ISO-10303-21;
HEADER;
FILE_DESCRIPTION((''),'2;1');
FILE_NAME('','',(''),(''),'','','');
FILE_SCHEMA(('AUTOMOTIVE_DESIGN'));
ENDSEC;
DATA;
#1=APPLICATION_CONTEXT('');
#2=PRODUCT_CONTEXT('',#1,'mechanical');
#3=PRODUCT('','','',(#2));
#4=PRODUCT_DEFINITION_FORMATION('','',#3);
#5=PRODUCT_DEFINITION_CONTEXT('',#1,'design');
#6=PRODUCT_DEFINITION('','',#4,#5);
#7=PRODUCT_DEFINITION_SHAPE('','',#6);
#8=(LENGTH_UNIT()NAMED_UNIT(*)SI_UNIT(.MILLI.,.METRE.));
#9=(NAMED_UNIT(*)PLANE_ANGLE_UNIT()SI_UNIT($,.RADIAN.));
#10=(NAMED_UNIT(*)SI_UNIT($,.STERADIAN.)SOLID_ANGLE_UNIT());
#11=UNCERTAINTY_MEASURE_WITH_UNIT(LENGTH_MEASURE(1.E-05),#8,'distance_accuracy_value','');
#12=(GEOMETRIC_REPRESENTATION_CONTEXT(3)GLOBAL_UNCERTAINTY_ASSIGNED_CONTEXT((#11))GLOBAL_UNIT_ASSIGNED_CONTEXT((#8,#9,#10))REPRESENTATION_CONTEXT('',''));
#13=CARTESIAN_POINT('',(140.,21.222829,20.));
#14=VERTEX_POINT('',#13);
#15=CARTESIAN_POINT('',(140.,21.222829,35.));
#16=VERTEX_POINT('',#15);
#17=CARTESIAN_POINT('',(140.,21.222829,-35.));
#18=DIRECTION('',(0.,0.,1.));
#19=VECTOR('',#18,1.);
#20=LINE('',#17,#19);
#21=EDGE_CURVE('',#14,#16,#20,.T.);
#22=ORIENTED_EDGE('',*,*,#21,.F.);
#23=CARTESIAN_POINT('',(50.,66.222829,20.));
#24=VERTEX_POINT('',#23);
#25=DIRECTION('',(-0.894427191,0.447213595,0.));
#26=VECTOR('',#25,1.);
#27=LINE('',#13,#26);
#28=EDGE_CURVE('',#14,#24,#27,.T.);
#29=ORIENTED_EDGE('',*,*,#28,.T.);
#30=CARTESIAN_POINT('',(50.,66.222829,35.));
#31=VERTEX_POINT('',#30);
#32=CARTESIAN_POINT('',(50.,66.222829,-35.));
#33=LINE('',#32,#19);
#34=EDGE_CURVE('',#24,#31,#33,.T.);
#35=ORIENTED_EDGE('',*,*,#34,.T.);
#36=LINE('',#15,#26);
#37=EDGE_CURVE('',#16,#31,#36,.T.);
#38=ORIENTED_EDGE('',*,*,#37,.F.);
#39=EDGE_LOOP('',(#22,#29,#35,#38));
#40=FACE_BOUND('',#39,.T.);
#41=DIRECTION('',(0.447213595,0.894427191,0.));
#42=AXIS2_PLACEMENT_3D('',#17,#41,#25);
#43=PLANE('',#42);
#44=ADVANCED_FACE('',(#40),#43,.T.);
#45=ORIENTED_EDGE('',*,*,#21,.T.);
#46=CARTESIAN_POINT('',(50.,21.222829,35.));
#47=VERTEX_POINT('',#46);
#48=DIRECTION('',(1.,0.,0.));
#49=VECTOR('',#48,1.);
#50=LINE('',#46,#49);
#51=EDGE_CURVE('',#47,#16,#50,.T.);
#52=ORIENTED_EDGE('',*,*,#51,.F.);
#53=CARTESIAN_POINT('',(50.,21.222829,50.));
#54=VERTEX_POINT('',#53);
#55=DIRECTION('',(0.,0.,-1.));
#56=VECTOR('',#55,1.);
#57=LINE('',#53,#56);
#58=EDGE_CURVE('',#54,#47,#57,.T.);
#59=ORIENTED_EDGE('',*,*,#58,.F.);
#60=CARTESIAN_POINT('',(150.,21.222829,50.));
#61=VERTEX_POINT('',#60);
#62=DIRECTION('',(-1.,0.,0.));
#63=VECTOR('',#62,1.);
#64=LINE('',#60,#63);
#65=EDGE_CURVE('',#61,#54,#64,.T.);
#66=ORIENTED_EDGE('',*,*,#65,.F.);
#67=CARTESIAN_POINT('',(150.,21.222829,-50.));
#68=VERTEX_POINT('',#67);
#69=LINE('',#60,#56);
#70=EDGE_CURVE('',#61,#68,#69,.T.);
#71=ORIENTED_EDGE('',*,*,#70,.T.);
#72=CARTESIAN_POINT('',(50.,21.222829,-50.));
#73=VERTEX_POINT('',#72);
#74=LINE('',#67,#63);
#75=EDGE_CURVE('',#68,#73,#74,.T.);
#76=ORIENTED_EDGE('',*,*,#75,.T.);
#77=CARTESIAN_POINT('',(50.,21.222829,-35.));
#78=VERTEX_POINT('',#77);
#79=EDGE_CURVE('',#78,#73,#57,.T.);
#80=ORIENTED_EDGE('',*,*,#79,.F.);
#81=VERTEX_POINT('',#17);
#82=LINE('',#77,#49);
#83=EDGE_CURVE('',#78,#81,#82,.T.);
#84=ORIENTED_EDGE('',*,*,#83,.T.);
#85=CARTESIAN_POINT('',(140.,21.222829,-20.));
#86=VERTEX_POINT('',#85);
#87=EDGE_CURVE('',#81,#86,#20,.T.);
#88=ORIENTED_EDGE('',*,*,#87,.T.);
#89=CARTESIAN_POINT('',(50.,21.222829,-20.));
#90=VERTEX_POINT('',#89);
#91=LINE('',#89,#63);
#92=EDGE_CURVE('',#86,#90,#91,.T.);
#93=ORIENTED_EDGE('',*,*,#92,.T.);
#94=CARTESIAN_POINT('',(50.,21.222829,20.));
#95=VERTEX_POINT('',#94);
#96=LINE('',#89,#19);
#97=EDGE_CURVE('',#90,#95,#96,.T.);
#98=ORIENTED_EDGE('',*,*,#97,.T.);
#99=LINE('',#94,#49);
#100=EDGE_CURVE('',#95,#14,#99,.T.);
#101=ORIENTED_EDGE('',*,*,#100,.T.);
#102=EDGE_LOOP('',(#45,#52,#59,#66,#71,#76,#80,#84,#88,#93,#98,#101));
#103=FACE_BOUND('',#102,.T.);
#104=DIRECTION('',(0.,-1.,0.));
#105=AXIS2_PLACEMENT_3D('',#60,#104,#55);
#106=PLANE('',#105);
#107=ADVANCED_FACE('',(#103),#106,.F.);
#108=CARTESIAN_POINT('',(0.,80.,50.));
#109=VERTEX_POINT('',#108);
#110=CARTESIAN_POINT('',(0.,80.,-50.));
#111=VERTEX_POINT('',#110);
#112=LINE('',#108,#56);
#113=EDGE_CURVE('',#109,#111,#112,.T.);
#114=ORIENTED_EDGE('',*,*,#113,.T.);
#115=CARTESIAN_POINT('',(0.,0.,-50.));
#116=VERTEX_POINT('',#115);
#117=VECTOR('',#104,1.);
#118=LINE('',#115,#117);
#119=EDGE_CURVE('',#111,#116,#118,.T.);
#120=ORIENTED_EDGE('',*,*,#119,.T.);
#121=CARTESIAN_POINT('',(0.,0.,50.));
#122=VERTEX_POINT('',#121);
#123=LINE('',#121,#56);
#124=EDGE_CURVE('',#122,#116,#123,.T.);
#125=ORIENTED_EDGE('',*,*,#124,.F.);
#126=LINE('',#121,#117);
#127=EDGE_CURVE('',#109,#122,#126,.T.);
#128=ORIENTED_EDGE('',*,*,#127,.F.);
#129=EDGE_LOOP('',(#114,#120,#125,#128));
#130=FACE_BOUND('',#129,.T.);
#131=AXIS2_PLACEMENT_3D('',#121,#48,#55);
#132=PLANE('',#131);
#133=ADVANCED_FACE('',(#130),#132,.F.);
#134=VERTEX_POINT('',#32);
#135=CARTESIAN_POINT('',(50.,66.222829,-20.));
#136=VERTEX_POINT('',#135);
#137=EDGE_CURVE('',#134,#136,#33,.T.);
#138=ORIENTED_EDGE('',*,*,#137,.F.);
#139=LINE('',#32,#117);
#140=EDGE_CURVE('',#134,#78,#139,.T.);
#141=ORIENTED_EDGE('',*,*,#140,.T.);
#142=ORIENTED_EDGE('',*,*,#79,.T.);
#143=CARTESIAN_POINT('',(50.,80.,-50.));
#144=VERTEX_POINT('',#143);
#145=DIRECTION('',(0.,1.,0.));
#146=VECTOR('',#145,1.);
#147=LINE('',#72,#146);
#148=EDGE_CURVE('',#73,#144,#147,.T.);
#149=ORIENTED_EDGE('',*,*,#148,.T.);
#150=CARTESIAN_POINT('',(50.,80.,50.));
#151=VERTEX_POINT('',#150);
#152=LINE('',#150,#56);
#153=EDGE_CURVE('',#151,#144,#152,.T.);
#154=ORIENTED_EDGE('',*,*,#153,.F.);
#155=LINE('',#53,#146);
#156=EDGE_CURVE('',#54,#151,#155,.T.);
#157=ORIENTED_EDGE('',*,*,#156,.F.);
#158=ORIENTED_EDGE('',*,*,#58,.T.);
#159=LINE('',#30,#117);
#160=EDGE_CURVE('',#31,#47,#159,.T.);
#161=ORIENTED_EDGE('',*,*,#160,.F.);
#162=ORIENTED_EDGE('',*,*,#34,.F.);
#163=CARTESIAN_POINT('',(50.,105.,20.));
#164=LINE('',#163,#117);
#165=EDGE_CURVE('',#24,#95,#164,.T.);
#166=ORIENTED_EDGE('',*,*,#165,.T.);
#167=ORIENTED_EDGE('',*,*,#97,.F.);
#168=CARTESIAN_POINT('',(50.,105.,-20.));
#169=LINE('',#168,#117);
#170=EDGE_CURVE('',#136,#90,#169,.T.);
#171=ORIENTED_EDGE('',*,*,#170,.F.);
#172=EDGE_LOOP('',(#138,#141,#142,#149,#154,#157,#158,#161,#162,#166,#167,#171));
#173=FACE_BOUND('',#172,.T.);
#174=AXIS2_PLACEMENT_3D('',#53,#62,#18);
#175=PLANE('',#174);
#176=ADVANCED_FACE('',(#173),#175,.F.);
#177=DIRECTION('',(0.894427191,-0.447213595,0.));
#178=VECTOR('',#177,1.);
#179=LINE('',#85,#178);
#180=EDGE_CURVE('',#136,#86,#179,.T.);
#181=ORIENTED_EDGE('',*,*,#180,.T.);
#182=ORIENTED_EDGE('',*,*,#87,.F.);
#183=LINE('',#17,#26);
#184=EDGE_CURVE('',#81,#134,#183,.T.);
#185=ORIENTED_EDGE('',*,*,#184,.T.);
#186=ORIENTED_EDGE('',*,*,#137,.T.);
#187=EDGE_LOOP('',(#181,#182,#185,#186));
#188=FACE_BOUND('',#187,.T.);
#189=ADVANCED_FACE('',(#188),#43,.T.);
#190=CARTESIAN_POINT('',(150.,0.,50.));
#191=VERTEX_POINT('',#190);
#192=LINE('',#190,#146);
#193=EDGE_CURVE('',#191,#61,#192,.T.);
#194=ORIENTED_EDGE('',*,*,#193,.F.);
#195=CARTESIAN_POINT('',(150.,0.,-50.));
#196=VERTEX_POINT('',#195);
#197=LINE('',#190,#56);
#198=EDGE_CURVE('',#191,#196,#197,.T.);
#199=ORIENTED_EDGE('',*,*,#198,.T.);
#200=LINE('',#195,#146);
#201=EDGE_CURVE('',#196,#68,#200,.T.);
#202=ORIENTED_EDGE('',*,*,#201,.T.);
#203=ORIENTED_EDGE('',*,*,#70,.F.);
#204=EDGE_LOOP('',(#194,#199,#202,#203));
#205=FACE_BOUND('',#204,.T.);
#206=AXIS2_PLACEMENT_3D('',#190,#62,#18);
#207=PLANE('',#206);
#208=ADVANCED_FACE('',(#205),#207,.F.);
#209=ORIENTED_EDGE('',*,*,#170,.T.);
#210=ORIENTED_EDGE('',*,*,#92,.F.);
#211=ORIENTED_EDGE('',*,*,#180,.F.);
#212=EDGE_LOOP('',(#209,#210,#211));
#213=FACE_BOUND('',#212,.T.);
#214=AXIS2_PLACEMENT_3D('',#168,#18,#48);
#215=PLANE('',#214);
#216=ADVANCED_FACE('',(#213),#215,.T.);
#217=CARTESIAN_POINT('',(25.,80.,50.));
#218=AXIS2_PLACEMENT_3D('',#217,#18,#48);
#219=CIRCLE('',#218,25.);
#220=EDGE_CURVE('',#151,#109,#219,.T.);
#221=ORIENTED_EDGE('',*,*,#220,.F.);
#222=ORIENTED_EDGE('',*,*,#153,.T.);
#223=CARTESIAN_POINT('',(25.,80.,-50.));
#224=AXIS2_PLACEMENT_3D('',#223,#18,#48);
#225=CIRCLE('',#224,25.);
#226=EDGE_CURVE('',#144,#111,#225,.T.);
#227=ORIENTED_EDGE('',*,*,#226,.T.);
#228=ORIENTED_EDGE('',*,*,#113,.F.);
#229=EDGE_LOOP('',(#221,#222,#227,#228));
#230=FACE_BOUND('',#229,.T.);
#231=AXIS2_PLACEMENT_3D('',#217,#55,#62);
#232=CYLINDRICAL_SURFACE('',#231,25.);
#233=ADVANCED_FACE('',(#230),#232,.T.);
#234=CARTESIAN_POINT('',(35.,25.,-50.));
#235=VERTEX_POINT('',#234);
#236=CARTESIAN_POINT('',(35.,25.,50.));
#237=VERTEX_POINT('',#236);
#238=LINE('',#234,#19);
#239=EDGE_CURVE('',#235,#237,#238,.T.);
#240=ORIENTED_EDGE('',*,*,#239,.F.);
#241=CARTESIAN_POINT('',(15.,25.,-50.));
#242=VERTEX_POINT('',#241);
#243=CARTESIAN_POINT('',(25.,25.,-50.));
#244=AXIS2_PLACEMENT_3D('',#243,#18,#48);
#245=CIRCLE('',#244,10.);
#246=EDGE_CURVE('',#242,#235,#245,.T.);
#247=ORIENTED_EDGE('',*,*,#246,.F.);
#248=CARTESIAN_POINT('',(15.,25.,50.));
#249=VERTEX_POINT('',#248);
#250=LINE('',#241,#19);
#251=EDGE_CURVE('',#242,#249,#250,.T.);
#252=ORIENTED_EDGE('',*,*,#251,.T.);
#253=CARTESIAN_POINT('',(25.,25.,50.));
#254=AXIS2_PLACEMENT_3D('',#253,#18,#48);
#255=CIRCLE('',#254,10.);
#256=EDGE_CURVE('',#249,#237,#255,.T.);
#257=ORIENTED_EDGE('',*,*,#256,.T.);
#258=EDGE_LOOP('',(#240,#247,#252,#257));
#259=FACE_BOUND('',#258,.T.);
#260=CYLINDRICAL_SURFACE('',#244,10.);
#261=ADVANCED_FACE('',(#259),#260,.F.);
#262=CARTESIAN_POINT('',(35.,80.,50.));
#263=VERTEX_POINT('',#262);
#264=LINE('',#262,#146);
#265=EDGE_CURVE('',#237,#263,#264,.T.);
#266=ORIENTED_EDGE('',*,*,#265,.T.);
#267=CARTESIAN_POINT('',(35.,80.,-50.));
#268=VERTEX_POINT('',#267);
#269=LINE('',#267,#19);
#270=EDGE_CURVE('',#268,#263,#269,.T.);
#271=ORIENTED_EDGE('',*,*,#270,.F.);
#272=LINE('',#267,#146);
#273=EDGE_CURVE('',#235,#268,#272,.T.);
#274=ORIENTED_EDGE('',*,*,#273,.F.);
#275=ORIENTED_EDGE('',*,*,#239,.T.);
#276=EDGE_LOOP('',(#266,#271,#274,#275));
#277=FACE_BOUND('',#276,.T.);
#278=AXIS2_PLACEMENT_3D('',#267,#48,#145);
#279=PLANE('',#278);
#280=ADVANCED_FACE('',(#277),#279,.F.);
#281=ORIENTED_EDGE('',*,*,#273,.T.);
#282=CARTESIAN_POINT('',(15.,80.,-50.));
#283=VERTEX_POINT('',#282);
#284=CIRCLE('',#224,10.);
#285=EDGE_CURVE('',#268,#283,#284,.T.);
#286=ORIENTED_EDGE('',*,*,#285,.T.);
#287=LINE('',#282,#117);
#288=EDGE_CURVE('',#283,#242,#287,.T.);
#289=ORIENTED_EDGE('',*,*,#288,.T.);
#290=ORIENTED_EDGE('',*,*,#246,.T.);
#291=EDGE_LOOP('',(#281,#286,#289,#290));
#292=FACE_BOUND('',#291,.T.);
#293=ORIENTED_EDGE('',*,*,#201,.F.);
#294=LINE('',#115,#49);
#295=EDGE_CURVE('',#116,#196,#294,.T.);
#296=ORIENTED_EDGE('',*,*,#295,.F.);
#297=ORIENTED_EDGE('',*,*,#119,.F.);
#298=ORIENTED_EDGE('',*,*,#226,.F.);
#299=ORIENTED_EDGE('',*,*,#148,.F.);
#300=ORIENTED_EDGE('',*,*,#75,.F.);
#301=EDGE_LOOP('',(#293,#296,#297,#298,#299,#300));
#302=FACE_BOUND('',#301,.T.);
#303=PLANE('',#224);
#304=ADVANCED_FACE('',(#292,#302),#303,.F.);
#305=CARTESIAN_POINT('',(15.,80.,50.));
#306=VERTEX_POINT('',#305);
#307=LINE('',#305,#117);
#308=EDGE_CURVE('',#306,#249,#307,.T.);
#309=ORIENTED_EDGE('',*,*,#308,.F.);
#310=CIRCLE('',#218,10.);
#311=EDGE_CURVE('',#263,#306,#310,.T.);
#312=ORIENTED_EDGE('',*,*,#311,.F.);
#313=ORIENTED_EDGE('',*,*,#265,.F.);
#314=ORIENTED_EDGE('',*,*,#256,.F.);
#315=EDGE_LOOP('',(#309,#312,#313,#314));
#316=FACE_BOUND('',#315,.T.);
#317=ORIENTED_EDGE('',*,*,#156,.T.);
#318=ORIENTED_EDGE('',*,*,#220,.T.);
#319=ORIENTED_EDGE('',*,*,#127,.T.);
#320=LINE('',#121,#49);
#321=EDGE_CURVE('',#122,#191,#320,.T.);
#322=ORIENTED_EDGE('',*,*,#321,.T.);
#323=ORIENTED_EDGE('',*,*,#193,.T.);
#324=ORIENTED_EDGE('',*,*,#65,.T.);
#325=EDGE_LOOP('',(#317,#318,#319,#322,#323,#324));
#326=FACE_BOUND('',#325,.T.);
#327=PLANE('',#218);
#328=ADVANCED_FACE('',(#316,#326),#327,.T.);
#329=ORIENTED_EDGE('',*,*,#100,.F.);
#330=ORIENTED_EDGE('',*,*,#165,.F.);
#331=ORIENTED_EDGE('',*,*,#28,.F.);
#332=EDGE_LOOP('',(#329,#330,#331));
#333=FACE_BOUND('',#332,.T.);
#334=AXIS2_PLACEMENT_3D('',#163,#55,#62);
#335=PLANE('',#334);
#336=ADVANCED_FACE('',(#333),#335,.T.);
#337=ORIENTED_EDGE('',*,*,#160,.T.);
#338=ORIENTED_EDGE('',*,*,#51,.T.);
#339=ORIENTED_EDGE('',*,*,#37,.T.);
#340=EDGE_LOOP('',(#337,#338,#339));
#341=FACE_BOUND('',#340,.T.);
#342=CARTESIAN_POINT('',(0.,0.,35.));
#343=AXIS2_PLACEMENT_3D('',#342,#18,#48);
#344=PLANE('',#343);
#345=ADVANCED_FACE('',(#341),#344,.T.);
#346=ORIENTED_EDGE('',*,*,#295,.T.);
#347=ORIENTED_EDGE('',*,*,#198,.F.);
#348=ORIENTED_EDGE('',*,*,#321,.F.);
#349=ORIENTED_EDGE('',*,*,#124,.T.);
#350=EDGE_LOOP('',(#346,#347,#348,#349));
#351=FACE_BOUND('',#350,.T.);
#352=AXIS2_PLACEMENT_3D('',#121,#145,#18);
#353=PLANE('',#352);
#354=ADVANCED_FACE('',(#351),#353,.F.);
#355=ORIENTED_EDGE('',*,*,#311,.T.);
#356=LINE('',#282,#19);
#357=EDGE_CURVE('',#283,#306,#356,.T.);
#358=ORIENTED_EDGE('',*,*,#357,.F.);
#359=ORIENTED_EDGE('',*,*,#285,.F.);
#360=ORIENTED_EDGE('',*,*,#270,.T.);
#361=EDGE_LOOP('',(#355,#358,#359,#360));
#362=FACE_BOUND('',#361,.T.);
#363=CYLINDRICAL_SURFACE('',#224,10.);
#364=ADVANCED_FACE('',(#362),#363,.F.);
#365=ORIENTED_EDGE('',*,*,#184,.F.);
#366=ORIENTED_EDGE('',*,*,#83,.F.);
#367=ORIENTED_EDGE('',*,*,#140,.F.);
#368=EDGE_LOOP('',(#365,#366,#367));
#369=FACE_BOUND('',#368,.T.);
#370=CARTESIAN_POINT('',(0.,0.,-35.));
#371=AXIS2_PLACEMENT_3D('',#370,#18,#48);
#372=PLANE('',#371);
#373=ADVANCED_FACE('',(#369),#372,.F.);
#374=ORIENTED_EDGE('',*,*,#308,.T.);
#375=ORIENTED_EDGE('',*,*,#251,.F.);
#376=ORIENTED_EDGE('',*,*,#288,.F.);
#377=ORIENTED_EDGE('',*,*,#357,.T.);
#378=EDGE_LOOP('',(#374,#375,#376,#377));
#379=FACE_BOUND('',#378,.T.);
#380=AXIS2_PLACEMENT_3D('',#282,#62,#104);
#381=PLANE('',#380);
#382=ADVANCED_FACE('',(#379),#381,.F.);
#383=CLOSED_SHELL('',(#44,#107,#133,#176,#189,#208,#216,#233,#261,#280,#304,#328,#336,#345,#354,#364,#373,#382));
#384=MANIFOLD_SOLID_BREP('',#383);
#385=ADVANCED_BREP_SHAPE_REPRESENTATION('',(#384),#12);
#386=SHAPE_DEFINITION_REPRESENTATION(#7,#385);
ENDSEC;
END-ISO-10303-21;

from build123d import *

# Parameters (mm, degrees)
BOSS_EXTRUDE2_DEPTH      = 50
BOSS_EXTRUDE2_DEPTH_BACK = 50
CUT_EXTRUDE2_DEPTH       = 209.62646045
BOSS_EXTRUDE3_DEPTH      = 35
BOSS_EXTRUDE3_DEPTH_BACK = 35
SKETCH10_W               = 99.044902454
SKETCH10_H               = 40
CUT_EXTRUDE3_DEPTH       = 179.937459443


with BuildPart() as part:
    # Sketch1 → Boss-Extrude2 (new, two sides: drawn at the far end of the back side and taken through both)
    with BuildSketch(Plane.XY.offset(-BOSS_EXTRUDE2_DEPTH_BACK)):
        with BuildLine():
            Line((0, 0), (150, 0))
            Line((150, 0), (150, 21.222828934))
            Line((150, 21.222828934), (50, 21.222828934))
            Line((50, 21.222828934), (50, 80))
            ThreePointArc((50, 80), (25, 105), (0, 80))
            Line((0, 80), (0, 0))
        make_face()
    extrude(amount=BOSS_EXTRUDE2_DEPTH + BOSS_EXTRUDE2_DEPTH_BACK)

    # Sketch7 → Cut-Extrude2 (cut, through all)
    with BuildSketch(Plane.XY.offset(50)):
        with BuildLine():
            Line((35, 80), (35, 25))
            ThreePointArc((35, 25), (25, 15), (15, 25))
            Line((15, 25), (15, 80))
            ThreePointArc((15, 80), (25, 90), (35, 80))
        make_face()
    extrude(amount=-CUT_EXTRUDE2_DEPTH, mode=Mode.SUBTRACT)

    # Sketch9 → Boss-Extrude3 (add, two sides: drawn at the far end of the back side and taken through both)
    with BuildSketch(Plane.XY.offset(-BOSS_EXTRUDE3_DEPTH_BACK)):
        Polygon((50, 66.222828934), (50, 21.222828934), (140, 21.222828934), align=None)
    extrude(amount=BOSS_EXTRUDE3_DEPTH + BOSS_EXTRUDE3_DEPTH_BACK)

    # Sketch10 → Cut-Extrude3 (cut, through all)
    with BuildSketch(Plane(origin=(0, 21.222828934, 0), x_dir=(1, 0, 0), z_dir=(0, 1, 0))):
        with Locations((99.522451227, 0)):
            Rectangle(SKETCH10_W, SKETCH10_H)
    extrude(amount=CUT_EXTRUDE3_DEPTH, mode=Mode.SUBTRACT)


solid = part.part
